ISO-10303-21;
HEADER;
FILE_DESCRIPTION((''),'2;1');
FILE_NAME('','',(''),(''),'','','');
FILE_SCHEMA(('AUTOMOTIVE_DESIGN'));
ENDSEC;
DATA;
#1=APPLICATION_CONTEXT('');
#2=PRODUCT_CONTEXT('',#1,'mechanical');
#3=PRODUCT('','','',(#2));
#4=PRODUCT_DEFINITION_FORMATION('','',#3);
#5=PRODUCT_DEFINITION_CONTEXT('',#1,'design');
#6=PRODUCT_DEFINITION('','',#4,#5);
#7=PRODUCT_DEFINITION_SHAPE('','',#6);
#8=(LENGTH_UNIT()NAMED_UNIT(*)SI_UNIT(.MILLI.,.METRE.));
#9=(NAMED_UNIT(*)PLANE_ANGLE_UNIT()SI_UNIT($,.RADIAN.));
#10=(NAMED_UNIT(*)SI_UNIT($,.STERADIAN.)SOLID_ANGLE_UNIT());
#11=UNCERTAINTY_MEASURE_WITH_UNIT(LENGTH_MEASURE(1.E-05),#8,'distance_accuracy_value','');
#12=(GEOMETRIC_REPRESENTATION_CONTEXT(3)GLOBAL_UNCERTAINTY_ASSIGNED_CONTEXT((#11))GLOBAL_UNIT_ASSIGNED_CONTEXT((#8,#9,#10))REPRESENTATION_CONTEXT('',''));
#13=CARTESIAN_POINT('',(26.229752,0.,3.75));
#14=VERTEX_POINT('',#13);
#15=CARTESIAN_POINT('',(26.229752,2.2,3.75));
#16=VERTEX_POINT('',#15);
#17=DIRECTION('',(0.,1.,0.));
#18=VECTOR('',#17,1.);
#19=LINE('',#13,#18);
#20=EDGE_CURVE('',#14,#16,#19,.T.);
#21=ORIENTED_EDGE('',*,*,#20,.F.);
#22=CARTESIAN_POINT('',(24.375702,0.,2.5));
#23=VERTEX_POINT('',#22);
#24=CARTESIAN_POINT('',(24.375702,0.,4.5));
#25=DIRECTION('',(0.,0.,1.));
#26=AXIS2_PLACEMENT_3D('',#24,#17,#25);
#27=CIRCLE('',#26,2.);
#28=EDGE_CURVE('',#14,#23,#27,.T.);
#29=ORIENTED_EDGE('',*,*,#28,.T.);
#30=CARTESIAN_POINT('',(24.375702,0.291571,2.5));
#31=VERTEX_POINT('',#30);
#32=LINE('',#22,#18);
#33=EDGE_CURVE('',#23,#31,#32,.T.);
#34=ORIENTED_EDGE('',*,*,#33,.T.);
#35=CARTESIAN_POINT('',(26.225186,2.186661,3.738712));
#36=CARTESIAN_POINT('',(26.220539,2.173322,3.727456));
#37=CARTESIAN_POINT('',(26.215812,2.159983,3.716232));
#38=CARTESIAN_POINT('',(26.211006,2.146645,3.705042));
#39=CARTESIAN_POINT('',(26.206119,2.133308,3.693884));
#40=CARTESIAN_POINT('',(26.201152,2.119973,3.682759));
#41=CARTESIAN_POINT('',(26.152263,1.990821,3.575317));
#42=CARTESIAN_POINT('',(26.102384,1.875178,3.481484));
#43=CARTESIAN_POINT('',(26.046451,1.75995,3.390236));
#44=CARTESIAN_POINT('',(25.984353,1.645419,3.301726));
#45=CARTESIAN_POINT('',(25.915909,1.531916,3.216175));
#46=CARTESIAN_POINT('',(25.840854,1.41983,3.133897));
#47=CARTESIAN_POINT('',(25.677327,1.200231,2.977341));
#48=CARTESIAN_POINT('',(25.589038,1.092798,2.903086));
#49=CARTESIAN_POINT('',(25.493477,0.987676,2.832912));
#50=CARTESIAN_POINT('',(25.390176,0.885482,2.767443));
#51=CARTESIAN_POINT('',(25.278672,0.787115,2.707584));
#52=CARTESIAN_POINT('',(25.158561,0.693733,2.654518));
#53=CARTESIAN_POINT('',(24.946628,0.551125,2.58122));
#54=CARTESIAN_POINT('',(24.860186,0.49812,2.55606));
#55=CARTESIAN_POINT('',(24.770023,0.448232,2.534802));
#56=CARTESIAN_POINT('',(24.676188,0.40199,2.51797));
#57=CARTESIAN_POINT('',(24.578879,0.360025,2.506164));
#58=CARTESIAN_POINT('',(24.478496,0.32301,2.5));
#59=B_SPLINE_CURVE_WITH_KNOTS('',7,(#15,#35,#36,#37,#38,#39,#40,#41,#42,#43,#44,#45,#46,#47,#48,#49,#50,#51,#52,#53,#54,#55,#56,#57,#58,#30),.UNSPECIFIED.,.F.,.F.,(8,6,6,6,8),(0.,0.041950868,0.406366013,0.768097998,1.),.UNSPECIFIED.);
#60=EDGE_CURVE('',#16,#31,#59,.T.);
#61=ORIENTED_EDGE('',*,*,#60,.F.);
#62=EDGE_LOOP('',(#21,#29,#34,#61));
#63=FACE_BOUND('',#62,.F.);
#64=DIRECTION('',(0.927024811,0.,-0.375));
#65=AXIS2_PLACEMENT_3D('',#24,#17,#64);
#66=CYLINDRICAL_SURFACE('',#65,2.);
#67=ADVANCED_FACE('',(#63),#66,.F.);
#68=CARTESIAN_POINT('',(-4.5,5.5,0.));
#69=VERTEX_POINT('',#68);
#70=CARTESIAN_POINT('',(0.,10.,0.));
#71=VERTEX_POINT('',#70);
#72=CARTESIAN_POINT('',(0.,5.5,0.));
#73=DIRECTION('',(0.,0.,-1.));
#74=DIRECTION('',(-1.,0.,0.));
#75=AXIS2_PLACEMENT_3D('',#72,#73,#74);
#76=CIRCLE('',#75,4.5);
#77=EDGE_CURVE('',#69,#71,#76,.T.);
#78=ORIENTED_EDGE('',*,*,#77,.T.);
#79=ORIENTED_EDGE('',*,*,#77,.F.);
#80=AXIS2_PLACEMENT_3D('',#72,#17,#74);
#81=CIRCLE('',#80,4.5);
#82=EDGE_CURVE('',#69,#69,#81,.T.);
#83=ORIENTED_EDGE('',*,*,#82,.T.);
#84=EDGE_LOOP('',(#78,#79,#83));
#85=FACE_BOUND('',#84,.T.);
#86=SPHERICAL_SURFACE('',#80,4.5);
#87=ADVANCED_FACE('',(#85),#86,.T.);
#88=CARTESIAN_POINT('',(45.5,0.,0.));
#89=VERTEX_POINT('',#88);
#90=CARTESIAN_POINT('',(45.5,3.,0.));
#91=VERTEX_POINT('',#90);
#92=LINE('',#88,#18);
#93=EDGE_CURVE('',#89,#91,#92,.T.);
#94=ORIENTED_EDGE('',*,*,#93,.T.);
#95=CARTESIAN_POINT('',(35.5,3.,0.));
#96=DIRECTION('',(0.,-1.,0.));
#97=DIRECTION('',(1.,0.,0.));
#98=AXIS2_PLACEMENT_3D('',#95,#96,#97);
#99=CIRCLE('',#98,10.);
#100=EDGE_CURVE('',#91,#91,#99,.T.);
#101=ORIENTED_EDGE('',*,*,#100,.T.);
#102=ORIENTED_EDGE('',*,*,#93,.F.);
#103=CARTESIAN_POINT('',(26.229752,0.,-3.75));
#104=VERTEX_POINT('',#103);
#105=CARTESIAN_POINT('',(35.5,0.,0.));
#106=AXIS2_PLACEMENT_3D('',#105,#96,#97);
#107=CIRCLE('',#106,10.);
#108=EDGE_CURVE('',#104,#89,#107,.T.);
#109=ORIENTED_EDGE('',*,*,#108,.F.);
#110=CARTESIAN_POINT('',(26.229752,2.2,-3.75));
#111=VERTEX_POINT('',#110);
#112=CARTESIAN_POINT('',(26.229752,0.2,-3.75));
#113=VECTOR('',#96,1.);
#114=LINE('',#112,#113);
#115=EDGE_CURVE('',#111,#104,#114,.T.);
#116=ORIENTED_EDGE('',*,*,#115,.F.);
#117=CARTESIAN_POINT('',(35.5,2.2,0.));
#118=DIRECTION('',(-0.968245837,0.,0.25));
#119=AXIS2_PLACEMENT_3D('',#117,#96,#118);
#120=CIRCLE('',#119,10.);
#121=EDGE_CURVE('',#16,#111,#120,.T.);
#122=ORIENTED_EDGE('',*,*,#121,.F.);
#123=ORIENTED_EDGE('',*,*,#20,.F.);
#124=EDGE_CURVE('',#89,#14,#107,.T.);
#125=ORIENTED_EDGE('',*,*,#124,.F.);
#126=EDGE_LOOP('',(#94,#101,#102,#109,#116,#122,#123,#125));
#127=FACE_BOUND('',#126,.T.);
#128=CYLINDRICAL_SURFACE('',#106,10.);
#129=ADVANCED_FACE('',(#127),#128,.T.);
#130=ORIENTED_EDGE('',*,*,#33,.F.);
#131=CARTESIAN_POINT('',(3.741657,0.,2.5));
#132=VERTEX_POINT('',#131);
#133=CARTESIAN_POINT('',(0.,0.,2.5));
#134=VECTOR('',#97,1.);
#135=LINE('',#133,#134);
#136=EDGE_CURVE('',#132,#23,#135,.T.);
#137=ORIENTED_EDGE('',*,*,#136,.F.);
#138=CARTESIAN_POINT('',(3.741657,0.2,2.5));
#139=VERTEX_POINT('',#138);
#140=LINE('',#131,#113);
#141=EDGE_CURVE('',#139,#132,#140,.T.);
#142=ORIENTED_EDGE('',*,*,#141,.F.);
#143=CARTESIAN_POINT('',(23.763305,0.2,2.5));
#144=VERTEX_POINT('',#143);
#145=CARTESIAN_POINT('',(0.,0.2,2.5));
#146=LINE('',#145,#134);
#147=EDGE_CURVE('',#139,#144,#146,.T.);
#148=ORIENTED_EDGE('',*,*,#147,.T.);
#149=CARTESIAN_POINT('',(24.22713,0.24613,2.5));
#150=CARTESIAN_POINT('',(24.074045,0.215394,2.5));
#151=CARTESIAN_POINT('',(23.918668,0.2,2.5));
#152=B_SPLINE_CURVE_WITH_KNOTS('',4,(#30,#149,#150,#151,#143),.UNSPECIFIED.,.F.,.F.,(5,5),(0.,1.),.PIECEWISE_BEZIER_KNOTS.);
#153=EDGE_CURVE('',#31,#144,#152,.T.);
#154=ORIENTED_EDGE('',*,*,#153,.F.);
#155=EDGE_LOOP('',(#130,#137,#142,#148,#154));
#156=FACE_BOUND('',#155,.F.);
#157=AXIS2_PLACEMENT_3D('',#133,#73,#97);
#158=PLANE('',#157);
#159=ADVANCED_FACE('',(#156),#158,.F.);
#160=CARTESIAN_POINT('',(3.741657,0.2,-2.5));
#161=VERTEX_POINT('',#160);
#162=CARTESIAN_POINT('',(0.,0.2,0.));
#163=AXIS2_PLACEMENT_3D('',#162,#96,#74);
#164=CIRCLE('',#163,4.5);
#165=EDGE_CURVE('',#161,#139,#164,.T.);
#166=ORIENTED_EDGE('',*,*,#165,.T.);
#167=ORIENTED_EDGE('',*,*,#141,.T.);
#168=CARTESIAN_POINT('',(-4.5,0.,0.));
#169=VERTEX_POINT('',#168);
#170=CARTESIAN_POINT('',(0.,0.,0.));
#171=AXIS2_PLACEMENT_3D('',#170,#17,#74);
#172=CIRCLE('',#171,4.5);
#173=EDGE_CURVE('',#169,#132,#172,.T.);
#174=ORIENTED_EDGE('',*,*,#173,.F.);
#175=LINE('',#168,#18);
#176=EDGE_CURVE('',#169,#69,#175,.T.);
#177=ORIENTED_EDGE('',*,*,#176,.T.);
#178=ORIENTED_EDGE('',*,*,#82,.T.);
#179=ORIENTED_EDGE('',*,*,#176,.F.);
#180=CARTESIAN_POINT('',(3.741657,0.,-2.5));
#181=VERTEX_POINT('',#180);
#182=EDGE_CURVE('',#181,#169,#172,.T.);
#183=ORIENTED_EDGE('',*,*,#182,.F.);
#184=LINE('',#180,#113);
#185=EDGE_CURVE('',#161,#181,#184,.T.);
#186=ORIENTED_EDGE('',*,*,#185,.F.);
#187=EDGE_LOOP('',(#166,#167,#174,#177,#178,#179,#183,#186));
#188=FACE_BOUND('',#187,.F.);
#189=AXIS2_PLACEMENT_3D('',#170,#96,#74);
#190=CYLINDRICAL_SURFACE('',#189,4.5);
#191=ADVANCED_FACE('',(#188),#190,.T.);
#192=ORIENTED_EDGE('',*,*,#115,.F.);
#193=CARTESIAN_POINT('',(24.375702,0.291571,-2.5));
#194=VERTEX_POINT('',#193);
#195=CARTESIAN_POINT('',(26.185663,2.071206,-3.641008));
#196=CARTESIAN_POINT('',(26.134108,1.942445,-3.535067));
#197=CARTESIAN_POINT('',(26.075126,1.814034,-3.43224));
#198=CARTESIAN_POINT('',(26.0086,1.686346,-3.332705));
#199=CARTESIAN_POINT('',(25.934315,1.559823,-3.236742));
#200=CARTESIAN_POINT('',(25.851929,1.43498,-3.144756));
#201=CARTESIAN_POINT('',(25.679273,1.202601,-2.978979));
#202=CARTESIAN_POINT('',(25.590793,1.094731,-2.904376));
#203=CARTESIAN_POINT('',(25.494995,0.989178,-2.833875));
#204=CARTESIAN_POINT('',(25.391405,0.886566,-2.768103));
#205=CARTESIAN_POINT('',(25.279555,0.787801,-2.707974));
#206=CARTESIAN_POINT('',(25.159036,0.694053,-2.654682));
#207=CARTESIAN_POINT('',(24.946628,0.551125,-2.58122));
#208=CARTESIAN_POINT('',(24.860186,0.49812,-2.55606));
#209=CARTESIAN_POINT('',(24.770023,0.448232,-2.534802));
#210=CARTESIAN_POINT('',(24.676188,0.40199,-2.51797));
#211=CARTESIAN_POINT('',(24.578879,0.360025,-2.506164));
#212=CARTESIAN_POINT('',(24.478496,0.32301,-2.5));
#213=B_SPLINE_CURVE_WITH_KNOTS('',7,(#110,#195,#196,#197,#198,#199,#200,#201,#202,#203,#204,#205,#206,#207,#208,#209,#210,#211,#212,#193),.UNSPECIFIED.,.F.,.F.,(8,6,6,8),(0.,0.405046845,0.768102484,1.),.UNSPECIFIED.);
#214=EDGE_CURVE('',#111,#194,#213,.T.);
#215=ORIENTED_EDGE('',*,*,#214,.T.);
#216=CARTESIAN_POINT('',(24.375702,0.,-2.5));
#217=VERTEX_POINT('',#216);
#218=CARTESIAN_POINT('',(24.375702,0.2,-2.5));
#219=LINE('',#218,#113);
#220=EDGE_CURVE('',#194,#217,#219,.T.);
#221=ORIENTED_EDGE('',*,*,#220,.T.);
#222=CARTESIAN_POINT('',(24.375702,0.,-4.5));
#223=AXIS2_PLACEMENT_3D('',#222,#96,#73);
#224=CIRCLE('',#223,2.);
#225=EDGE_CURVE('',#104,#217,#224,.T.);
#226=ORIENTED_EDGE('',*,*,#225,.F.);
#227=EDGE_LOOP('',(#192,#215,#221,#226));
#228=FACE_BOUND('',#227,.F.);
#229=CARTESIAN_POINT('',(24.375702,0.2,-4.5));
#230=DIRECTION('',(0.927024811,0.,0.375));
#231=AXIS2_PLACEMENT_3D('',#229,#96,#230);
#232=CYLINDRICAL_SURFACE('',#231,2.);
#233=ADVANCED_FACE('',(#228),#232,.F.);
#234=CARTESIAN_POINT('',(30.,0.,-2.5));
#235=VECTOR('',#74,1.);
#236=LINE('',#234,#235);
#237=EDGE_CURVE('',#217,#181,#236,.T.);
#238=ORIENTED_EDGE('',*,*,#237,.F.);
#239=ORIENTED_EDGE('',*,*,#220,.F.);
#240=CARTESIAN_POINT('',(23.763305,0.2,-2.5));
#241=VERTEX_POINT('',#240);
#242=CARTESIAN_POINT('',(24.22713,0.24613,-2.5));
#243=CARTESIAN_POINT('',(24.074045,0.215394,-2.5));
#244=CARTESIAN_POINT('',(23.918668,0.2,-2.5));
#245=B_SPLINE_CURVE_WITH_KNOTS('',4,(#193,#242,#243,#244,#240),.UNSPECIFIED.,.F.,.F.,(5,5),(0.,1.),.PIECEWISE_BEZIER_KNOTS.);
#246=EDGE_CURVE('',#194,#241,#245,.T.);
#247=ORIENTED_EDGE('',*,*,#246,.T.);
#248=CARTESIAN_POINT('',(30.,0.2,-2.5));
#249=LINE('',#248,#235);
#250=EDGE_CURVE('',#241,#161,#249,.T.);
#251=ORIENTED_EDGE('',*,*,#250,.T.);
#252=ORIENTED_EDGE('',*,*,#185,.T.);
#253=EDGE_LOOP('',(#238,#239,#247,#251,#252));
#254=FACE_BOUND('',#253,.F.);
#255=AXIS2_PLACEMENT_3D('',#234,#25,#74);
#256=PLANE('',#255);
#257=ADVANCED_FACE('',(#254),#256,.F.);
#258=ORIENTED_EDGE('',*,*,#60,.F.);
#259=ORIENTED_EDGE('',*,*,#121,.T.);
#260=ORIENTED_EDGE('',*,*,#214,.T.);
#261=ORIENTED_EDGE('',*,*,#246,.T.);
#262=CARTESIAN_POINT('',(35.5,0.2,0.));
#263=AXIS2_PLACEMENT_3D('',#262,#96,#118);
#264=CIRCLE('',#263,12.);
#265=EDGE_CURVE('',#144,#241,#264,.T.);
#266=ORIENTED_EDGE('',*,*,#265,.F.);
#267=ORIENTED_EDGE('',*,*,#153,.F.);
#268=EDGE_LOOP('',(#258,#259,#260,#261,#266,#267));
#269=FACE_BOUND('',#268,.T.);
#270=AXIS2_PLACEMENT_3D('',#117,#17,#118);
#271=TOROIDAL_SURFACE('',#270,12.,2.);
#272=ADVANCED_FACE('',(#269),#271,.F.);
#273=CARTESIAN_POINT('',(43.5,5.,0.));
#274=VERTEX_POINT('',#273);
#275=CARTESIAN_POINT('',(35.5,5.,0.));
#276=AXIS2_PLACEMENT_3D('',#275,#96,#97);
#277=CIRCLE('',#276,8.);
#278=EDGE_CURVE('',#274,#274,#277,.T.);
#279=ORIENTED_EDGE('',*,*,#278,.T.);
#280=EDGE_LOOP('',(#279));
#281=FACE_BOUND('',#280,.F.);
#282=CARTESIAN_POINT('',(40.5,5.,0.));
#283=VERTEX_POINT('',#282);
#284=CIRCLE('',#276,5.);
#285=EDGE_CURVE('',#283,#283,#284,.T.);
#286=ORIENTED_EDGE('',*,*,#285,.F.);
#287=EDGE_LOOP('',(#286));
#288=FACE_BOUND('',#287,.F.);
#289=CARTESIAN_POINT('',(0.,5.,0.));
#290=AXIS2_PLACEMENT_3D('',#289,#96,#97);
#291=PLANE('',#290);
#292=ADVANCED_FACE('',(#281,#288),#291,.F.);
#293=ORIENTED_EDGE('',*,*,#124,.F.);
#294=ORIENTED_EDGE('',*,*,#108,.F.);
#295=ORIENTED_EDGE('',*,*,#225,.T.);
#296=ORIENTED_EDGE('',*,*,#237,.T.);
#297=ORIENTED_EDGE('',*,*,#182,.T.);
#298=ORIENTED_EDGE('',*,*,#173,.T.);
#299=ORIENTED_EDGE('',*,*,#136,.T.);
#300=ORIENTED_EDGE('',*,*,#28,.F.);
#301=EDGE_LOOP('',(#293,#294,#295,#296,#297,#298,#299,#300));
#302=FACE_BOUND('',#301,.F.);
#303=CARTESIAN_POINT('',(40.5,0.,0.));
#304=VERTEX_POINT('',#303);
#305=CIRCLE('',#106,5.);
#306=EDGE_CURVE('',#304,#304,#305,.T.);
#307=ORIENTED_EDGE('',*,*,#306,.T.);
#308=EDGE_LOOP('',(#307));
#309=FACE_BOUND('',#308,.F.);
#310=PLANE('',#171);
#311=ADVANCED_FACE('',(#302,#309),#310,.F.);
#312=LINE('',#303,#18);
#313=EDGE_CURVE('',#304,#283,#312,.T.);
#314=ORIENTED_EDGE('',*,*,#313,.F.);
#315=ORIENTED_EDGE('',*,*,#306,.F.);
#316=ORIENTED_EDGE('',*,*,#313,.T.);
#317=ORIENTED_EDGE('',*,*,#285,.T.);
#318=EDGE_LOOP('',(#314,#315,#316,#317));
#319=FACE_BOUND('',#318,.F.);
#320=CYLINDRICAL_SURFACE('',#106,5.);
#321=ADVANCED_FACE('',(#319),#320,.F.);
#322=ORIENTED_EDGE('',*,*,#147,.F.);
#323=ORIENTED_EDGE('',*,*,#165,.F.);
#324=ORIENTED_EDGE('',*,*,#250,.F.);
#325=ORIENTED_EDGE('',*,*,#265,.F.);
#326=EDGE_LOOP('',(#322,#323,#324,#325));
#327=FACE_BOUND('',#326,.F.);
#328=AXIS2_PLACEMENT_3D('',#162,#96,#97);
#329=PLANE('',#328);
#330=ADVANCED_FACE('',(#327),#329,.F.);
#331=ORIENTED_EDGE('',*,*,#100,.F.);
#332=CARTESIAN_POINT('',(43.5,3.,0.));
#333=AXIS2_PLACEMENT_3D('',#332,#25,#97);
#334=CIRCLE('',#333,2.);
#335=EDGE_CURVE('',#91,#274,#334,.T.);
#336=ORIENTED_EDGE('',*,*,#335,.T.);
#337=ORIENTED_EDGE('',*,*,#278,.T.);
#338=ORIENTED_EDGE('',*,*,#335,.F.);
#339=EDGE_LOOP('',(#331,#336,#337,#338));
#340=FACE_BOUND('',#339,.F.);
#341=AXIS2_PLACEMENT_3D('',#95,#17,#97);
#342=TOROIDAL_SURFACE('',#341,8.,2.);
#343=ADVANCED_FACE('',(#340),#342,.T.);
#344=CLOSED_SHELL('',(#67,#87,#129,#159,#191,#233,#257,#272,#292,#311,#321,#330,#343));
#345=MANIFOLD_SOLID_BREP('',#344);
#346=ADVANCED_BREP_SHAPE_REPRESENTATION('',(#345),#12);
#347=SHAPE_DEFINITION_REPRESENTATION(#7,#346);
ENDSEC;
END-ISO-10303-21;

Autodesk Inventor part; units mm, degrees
ref_plane "YZ Plane" through (0, 0, 0) normal (1, 0, 0) x (0, 1, 0)
ref_plane "XZ Plane" through (0, 0, 0) normal (0, 1, 0) x (-1, 0, 0)
ref_plane "XY Plane" through (0, 0, 0) normal (0, 0, 1) x (1, 0, 0)
sketch "Sketch1" plane through (0, 0, 0) normal (0, 1, 0) x (-1, 0, 0)
  circle A0 centre (0, 0) radius 4.5
  dimension "d0" = 9
extrude "Extrusion1" add sketch "Sketch1" along normal blind 10
fillet "Fillet1" radius 4.5 1 edges at (4.5, 10, 0)
sketch "Sketch2" plane through (0, 0, 0) normal (0, -1, 0) x (1, 0, 0)
  line L0 (0, 2.5) -> (30, 2.5)
  line L1 (30, 2.5) -> (30, -2.5)
  line L2 (30, -2.5) -> (0, -2.5)
  line L3 (0, -2.5) -> (0, 2.5)
  point P0 (0, 0)
  dimension "d4" = 30
  dimension "d5" = 5
  dimension "d6" = 2.5
extrude "Extrusion2" add sketch "Sketch2" against normal blind 0.2
sketch "Sketch3" plane through (0, 0, 0) normal (0, -1, 0) x (1, 0, 0)
  line L0 (30, 2.5) -> (3.7417, 2.5) projected
  circle A0 centre (35.5, 0) radius 10
  circle A1 centre (0, 0) radius 0.101 projected
  circle A2 centre (35.5, 0) radius 5
  line L1 (30, 2.5) -> (30, -2.5) projected
  point P0 (4.3301, 2.5)
  dimension "d20" = 10
  dimension "d21" = 5
  dimension "d22" = 5.5
extrude "Extrusion3" add sketch "Sketch3" against normal blind 5 contours A0
fillet "Fillet2" radius 2 4 edges at (25.5, 5, 0) (25.5, 0.2, 0) (25.8175, 0.1, -2.5) (25.8175, 0.1, 2.5)
properties part number "pipe form"
